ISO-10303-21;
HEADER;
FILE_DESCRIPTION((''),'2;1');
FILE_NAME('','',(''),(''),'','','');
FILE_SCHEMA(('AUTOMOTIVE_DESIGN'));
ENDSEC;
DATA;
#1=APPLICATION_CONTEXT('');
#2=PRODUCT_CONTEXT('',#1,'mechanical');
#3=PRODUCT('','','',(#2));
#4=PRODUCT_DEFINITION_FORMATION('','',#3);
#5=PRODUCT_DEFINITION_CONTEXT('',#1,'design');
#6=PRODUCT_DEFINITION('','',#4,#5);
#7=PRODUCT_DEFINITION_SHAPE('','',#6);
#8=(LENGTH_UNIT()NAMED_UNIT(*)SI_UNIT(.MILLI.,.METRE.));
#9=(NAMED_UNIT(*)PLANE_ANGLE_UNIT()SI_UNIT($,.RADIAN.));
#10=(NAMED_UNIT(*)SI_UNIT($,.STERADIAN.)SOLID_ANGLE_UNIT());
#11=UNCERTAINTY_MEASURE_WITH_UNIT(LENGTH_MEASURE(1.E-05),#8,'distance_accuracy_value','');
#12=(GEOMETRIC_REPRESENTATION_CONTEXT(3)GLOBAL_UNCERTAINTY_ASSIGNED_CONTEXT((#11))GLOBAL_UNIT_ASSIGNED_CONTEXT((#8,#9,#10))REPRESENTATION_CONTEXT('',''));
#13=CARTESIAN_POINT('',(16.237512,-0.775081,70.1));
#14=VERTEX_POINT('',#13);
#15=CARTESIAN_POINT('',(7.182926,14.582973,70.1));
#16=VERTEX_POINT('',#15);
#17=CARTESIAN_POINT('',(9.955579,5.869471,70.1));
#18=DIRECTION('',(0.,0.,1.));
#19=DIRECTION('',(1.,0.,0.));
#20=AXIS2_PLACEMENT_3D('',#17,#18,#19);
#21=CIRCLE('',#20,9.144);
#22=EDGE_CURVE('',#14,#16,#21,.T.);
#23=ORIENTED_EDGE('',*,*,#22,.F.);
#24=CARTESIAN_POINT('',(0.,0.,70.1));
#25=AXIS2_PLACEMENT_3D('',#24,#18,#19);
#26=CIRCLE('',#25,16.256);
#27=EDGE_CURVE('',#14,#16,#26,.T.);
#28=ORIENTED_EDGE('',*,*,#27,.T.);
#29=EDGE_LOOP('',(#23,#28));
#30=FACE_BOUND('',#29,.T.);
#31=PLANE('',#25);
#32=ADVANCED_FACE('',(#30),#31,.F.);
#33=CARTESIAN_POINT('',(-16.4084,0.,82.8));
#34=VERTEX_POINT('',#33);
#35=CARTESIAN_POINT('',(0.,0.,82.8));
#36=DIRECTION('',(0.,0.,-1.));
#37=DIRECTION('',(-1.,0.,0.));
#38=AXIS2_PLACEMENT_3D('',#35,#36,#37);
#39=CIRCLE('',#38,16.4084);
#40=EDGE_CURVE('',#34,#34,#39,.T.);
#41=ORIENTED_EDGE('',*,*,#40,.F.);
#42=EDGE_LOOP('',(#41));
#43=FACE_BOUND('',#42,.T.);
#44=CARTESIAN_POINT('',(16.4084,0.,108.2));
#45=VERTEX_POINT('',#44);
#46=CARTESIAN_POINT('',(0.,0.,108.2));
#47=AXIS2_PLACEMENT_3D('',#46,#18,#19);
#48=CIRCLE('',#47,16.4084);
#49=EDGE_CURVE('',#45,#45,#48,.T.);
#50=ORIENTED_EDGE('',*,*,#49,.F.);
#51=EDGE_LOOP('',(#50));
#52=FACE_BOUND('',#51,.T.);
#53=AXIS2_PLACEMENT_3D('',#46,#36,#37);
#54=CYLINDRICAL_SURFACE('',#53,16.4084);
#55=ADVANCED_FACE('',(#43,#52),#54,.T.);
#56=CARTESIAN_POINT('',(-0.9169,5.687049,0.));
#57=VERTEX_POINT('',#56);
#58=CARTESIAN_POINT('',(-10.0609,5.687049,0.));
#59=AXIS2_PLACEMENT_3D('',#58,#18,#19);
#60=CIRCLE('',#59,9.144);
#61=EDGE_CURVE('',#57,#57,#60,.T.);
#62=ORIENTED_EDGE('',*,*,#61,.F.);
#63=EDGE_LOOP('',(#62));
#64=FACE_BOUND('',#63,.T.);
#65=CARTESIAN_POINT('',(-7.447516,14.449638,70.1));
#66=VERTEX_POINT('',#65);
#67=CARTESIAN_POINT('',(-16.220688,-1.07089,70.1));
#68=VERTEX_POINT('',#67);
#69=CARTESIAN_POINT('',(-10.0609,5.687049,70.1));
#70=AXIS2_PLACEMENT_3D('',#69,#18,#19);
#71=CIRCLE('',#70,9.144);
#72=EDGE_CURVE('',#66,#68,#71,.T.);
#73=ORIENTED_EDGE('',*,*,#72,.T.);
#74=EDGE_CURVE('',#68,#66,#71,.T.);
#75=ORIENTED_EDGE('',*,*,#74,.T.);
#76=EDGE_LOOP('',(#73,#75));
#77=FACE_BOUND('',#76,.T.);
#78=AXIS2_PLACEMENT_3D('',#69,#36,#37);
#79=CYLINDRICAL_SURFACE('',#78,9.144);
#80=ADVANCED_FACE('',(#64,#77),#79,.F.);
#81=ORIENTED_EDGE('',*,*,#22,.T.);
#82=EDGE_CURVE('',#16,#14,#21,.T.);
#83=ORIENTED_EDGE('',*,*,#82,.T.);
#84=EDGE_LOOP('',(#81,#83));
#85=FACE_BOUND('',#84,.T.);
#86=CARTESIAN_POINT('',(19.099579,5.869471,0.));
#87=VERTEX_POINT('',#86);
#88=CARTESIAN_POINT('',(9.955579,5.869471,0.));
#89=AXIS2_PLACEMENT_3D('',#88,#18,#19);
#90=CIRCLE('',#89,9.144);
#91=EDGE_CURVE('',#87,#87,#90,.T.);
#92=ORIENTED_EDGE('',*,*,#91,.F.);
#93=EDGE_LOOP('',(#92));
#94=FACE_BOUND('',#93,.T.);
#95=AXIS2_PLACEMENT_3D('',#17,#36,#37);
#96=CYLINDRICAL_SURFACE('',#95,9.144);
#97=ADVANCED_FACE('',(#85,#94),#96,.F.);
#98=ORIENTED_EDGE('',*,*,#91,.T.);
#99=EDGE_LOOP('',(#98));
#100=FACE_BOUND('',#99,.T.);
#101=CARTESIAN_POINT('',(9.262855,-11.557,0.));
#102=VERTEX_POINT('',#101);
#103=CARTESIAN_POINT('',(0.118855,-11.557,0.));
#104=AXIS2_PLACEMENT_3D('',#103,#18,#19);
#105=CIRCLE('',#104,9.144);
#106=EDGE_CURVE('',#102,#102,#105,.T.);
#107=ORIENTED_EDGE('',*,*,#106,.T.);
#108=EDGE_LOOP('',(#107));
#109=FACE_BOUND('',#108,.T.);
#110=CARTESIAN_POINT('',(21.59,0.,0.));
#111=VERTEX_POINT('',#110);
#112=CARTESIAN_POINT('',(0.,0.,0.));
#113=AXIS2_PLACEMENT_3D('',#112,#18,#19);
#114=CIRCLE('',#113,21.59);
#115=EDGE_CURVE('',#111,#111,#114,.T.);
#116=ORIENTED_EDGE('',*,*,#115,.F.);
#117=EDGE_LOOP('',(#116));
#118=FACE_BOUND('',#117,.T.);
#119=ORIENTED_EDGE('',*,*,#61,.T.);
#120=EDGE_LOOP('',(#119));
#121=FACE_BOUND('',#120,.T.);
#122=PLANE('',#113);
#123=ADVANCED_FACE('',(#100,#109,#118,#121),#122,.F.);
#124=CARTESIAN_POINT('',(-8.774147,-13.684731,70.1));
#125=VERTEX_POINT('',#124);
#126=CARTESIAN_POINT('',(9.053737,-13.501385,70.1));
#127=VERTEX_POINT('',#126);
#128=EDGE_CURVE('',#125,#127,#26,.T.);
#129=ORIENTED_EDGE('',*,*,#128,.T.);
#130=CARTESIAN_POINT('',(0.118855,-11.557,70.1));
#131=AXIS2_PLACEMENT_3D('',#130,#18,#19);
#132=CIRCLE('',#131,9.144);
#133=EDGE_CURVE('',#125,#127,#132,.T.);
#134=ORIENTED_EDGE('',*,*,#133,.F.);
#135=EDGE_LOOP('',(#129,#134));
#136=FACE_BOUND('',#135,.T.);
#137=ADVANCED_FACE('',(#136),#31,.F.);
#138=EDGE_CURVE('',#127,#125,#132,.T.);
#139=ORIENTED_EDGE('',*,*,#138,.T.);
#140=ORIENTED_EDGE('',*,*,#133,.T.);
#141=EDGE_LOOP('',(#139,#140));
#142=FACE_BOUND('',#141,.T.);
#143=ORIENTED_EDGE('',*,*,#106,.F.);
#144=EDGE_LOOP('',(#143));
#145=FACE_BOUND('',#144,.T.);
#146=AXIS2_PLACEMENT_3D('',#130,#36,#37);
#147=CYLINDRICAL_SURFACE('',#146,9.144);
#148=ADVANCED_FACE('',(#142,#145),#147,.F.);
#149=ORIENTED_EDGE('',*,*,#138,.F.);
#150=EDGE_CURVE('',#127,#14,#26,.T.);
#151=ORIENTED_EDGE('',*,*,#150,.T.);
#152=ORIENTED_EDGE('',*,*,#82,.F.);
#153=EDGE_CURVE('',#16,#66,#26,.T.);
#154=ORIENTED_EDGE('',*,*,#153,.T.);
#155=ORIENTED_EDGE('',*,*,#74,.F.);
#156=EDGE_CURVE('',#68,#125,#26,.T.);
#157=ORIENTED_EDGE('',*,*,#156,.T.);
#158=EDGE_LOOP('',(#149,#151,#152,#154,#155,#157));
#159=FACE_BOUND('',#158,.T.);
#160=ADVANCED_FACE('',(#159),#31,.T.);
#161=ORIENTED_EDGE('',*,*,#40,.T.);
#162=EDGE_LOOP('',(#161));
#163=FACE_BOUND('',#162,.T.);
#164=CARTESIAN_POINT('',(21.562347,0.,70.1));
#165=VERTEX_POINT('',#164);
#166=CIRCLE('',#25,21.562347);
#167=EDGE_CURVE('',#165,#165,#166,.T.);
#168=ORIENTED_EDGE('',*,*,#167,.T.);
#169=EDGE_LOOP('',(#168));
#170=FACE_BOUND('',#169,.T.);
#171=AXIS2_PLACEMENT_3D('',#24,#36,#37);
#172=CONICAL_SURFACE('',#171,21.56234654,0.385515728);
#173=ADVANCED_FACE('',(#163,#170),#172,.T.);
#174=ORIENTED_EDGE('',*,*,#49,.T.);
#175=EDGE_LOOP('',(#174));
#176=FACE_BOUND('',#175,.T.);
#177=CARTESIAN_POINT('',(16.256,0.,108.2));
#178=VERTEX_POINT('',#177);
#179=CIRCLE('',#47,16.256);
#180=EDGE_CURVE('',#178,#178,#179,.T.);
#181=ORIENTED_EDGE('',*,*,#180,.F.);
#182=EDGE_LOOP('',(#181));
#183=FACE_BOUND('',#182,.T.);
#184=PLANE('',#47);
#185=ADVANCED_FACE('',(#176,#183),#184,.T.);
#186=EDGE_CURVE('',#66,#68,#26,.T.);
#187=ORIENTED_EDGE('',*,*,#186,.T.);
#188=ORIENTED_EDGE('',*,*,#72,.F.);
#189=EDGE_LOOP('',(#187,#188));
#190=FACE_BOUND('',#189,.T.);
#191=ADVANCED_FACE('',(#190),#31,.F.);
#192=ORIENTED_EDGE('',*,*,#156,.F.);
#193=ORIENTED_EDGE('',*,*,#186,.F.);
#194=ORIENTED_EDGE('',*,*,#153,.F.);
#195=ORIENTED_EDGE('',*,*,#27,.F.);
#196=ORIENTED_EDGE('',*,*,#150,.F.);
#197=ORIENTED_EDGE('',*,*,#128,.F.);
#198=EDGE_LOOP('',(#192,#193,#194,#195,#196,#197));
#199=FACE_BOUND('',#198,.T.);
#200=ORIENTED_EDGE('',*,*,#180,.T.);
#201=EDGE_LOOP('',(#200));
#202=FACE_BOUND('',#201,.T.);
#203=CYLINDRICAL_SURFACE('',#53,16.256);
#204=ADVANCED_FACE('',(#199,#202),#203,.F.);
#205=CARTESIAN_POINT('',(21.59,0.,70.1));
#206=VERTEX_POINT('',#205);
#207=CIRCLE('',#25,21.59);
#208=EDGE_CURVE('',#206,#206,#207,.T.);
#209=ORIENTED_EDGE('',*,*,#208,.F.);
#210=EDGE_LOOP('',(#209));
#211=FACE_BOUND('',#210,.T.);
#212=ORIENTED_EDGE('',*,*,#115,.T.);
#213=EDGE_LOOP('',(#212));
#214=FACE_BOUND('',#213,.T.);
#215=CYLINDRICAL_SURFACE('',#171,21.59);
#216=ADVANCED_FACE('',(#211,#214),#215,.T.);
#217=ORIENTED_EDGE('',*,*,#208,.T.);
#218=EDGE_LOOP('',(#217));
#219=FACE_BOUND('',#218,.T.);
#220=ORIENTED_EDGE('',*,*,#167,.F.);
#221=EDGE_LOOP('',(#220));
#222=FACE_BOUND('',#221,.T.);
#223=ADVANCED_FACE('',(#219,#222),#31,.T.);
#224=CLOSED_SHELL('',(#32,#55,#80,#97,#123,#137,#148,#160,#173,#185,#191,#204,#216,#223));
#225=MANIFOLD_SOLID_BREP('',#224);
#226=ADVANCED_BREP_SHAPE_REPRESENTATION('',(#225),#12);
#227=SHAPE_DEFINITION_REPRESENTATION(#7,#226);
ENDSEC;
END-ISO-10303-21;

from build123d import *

# Parameters (mm, degrees)
SKETCH1_R           = 21.59
SKETCH1_R_2         = 9.144
BOSS_EXTRUDE1_DEPTH = 70.1
SKETCH2_R           = 16.4084
SKETCH2_R_2         = 16.256
BOSS_EXTRUDE2_DEPTH = 38.1


with BuildPart() as part:
    # Sketch1 → Boss-Extrude1 (new body)
    with BuildSketch(Plane.XY):
        Circle(SKETCH1_R)
        with Locations((0.118855304, -11.557)):
            Circle(SKETCH1_R_2, mode=Mode.SUBTRACT)
        with Locations((9.955579479, 5.869470694)):
            Circle(SKETCH1_R_2, mode=Mode.SUBTRACT)
        with Locations((-10.060900468, 5.687049391)):
            Circle(SKETCH1_R_2, mode=Mode.SUBTRACT)
    extrude(amount=BOSS_EXTRUDE1_DEPTH)

    # Sketch2 → Boss-Extrude2 (add)
    with BuildSketch(Plane.XY.offset(70.1)):
        Circle(SKETCH2_R)
        Circle(SKETCH2_R_2, mode=Mode.SUBTRACT)
    extrude(amount=BOSS_EXTRUDE2_DEPTH)

    # Sketch8 → Revolve3 (revolve)
    with BuildSketch(Plane(origin=(0, 0, 0), x_dir=(0, 0, -1), z_dir=(1, 0, 0))):
        Polygon((-70.1, 21.56234654), (-82.8, 16.4084), (-70.1, 16.4084), align=None)
    revolve(axis=Axis((0, 0, 126.159811209), (0, 0, -1)))


solid = part.part
